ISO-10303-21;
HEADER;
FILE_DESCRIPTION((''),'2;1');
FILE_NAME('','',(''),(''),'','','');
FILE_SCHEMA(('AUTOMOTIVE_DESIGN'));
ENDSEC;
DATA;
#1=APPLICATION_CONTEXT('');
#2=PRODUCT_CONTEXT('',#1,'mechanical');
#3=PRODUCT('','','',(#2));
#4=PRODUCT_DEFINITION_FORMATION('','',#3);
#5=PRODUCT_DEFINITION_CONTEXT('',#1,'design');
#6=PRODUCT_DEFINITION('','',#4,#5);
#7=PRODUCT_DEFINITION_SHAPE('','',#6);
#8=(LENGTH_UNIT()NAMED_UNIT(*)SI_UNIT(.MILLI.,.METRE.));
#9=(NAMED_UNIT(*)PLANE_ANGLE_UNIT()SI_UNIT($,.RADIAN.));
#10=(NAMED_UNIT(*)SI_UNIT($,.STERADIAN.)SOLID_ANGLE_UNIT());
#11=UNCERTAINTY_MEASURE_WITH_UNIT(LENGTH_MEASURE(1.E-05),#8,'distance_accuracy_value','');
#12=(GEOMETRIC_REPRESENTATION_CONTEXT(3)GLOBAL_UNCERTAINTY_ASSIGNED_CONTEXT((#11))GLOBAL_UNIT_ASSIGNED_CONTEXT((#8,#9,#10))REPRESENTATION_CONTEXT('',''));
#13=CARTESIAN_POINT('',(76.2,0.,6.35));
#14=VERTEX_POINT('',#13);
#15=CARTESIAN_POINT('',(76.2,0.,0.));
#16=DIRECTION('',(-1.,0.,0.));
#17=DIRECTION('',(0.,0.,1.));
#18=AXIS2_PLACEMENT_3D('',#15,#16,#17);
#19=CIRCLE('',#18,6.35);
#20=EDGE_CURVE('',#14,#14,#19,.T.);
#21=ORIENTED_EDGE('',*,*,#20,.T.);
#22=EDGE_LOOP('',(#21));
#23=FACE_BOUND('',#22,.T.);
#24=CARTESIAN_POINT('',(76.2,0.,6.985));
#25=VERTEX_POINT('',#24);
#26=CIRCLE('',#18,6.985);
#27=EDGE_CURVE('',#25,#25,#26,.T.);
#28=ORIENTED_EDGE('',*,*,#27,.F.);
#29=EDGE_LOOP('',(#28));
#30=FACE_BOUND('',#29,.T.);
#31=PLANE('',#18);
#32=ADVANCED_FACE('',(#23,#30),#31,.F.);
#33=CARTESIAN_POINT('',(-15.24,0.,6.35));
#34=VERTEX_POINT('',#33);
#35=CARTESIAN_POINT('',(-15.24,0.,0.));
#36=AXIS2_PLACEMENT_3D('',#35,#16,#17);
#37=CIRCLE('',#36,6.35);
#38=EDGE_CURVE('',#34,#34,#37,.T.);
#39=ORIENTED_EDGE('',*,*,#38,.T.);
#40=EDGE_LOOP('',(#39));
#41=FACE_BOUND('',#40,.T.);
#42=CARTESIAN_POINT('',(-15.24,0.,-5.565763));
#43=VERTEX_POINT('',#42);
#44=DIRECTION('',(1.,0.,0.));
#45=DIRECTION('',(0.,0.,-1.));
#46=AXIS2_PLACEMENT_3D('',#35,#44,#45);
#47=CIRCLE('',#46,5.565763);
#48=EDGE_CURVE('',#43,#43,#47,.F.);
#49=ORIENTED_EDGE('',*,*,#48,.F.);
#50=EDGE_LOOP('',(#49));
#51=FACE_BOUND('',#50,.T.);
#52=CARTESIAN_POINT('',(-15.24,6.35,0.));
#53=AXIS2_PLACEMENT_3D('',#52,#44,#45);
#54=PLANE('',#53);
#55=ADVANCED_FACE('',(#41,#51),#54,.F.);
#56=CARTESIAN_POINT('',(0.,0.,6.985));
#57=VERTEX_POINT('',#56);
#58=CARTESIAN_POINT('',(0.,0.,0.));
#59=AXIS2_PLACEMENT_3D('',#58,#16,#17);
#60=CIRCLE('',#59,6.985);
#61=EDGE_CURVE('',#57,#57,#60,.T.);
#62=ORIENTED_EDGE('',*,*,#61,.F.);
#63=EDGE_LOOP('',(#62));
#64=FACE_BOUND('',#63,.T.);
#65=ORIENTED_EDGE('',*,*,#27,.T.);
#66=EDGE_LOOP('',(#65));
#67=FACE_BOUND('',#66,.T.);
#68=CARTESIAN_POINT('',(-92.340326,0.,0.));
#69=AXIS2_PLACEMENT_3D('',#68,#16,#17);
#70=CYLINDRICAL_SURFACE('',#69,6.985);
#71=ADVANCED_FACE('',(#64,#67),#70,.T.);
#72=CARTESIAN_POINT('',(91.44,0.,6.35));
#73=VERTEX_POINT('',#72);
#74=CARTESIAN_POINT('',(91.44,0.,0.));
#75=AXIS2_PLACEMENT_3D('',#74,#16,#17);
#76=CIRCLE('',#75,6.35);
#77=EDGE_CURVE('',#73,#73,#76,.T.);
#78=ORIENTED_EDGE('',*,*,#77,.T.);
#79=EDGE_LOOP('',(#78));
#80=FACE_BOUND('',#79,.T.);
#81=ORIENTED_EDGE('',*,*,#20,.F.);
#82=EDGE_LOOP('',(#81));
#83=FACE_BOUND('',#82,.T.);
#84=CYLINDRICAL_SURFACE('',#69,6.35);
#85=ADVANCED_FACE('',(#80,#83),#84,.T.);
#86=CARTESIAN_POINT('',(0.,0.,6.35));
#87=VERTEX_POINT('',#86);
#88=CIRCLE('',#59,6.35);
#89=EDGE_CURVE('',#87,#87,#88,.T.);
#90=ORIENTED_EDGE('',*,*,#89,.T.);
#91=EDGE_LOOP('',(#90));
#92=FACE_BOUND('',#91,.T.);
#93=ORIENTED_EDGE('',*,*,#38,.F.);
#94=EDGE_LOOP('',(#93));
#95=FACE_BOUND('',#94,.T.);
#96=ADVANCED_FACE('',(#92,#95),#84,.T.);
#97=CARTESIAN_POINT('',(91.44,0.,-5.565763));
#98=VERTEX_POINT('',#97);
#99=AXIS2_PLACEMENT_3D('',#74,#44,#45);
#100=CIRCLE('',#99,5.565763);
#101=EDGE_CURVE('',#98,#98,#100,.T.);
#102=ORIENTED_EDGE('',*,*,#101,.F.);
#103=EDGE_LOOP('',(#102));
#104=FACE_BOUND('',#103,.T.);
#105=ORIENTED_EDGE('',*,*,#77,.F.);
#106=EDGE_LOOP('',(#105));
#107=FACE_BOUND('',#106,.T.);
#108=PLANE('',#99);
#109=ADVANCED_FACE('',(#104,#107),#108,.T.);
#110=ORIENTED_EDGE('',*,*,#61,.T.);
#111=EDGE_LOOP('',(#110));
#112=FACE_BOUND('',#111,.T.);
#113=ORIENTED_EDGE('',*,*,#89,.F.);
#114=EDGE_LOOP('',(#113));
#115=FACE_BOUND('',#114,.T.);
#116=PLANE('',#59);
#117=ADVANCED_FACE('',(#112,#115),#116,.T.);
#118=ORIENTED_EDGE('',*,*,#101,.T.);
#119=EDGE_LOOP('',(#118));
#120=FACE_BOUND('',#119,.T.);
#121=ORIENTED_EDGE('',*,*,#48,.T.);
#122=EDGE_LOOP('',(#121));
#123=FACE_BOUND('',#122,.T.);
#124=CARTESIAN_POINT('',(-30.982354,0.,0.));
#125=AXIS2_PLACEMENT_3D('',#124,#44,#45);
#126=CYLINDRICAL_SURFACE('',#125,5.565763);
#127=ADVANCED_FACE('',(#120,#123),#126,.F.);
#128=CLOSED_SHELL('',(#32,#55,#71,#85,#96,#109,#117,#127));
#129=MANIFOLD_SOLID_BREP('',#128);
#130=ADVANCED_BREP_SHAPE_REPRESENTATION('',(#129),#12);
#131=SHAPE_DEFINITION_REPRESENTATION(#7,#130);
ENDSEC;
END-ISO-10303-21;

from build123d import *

# Parameters (mm, degrees)
SKETCH1_W          = 76.2
SKETCH1_H          = 6.985
SKETCH1_W_2        = 15.24
SKETCH1_H_2        = 6.35
SKETCH2_R          = 5.565762573
CUT_EXTRUDE1_DEPTH = 106.68


with BuildPart() as part:
    # Sketch1 → Revolve1 (revolve)
    with BuildSketch(Plane.XY, mode=Mode.PRIVATE) as revolve1_sk:
        with Locations((38.1, 3.4925)):
            Rectangle(SKETCH1_W, SKETCH1_H)
        with Locations((83.82, 3.175)):
            Rectangle(SKETCH1_W_2, SKETCH1_H_2)
        with Locations((-7.62, 3.175)):
            Rectangle(SKETCH1_W_2, SKETCH1_H_2)
    revolve(revolve1_sk.sketch.rotate(Axis((-92.340325691, 0, 0), (1, 0, 0)), 90), axis=Axis((-92.340325691, 0, 0), (1, 0, 0)))

    # Sketch2 → Cut-Extrude1 (cut)
    with BuildSketch(Plane(origin=(91.44, 0, 0), x_dir=(0, 0, -1), z_dir=(1, 0, 0))):
        Circle(SKETCH2_R)
    extrude(amount=-CUT_EXTRUDE1_DEPTH, mode=Mode.SUBTRACT)


solid = part.part
